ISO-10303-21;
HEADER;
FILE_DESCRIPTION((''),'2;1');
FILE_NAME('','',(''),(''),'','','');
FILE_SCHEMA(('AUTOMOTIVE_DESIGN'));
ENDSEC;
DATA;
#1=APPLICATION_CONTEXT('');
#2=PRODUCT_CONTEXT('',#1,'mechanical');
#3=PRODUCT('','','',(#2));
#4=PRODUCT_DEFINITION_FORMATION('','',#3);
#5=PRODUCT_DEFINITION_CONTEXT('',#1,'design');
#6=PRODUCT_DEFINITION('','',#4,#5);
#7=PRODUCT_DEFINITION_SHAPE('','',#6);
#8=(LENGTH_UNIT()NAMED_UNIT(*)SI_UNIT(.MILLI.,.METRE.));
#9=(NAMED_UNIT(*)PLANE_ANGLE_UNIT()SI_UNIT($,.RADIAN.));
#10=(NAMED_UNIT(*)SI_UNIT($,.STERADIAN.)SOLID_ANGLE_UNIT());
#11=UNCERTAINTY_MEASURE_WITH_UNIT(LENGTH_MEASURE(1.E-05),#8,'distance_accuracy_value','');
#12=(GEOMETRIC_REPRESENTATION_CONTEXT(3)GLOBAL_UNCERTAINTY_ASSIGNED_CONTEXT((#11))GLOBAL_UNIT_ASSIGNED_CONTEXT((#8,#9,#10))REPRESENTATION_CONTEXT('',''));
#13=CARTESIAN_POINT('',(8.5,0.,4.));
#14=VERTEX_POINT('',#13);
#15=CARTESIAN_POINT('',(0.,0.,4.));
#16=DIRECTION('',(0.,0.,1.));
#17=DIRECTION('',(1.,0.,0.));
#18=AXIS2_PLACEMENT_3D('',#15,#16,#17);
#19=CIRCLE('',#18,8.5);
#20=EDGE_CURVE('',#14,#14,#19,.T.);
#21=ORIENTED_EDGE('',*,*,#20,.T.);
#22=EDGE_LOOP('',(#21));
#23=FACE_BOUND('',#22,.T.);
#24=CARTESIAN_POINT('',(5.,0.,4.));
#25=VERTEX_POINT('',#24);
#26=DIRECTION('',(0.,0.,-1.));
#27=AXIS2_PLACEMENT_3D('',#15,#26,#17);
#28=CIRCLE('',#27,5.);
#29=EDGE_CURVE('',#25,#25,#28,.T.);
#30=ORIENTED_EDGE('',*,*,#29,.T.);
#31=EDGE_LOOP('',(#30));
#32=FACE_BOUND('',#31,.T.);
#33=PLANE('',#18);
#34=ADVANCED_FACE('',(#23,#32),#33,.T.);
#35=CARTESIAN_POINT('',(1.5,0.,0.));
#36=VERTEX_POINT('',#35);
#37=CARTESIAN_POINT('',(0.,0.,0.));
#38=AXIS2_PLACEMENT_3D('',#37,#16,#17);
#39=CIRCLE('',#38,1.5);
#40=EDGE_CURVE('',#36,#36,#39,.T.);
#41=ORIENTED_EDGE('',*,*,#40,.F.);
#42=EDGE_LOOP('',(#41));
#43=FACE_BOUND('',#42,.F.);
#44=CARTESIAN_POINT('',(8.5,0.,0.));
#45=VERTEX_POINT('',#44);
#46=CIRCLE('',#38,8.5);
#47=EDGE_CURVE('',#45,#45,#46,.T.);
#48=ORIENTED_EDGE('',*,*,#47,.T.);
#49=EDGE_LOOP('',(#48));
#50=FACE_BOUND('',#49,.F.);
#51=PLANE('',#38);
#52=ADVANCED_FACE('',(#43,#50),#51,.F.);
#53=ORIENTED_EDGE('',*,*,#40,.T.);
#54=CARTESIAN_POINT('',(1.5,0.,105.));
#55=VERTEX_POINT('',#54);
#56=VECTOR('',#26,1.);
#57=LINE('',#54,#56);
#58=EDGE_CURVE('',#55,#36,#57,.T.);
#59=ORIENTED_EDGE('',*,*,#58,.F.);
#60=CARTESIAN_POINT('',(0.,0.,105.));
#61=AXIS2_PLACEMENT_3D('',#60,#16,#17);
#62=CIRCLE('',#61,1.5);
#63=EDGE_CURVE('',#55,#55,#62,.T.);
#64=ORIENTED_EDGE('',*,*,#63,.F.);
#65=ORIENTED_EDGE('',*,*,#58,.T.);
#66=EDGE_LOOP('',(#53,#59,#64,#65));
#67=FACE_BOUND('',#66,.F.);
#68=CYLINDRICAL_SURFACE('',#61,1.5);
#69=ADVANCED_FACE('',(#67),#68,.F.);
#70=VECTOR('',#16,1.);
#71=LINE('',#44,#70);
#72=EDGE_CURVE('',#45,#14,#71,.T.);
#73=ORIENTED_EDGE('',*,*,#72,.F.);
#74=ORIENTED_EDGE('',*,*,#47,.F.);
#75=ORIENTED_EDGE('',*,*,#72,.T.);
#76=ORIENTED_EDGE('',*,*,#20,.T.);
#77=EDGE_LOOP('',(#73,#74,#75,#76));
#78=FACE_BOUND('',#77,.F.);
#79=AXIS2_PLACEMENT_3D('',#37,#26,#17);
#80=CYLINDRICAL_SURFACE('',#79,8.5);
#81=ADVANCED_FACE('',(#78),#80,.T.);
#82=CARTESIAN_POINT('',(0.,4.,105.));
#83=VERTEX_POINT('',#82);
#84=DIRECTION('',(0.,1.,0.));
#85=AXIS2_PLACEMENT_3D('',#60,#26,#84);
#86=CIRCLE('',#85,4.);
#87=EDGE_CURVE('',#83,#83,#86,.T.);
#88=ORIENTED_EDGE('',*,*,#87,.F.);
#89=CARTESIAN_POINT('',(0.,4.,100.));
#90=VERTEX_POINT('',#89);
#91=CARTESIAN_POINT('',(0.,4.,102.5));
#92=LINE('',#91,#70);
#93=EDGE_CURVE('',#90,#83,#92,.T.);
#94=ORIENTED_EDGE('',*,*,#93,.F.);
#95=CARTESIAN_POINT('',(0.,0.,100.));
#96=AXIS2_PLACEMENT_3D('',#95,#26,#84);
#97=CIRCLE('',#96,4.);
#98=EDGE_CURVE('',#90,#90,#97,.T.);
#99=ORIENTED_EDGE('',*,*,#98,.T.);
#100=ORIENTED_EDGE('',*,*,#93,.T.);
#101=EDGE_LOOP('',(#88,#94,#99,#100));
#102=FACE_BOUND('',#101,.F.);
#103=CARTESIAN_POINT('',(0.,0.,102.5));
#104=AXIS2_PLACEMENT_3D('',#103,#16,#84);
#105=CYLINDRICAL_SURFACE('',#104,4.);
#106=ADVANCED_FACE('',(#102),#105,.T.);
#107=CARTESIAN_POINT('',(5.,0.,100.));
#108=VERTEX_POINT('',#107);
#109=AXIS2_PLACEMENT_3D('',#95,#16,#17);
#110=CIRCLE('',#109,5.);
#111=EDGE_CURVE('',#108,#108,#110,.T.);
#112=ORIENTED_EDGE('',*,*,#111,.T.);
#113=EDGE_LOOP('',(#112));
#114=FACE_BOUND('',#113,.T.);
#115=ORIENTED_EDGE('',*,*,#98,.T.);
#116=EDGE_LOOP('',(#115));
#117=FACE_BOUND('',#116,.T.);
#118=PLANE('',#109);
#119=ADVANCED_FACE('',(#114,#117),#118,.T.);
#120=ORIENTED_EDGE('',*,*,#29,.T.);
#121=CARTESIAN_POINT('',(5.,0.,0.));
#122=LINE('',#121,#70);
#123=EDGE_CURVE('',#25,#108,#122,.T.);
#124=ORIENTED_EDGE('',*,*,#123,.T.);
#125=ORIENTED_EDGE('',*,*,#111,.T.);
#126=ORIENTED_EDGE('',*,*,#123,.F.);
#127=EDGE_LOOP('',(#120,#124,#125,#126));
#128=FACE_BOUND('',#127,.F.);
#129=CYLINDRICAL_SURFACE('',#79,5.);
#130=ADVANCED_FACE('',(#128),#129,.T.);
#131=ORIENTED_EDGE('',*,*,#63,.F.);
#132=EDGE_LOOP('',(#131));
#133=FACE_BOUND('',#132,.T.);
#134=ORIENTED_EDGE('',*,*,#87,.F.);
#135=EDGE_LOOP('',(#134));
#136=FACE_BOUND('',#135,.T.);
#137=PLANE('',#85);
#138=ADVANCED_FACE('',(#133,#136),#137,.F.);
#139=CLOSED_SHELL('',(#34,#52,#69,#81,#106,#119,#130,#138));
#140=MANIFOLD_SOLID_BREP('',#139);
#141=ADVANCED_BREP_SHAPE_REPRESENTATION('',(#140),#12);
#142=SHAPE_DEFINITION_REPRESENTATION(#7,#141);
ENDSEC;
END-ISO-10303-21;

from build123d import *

# Parameters (mm, degrees)
F0_R     = 8.5
F1_DEPTH = 4
F2_R     = 5
F3_DEPTH = 100
F4_W     = 4
F4_H     = 5
F6_R     = 1.5
F7_DEPTH = 112


with BuildPart() as f1:
    # F0 (on Top) → F1 (new body)
    with BuildSketch(Plane.XY):
        Circle(F0_R)
    extrude(amount=F1_DEPTH)

    # F2 (on Top) → F3 (join)
    with BuildSketch(Plane.XY):
        Circle(F2_R)
    extrude(amount=F3_DEPTH)

    # F4 (on Right) → F5 (revolve)
    with BuildSketch(Plane.YZ):
        with Locations((2, 102.5)):
            Rectangle(F4_W, F4_H)
    revolve(axis=Axis((0, 0, 102.5), (0, 0, -1)))

    # F6 (on face) → F7 (cut)
    with BuildSketch(Plane.XY.offset(105)):
        Circle(F6_R)
    extrude(amount=-F7_DEPTH, mode=Mode.SUBTRACT)


solid = f1.part
